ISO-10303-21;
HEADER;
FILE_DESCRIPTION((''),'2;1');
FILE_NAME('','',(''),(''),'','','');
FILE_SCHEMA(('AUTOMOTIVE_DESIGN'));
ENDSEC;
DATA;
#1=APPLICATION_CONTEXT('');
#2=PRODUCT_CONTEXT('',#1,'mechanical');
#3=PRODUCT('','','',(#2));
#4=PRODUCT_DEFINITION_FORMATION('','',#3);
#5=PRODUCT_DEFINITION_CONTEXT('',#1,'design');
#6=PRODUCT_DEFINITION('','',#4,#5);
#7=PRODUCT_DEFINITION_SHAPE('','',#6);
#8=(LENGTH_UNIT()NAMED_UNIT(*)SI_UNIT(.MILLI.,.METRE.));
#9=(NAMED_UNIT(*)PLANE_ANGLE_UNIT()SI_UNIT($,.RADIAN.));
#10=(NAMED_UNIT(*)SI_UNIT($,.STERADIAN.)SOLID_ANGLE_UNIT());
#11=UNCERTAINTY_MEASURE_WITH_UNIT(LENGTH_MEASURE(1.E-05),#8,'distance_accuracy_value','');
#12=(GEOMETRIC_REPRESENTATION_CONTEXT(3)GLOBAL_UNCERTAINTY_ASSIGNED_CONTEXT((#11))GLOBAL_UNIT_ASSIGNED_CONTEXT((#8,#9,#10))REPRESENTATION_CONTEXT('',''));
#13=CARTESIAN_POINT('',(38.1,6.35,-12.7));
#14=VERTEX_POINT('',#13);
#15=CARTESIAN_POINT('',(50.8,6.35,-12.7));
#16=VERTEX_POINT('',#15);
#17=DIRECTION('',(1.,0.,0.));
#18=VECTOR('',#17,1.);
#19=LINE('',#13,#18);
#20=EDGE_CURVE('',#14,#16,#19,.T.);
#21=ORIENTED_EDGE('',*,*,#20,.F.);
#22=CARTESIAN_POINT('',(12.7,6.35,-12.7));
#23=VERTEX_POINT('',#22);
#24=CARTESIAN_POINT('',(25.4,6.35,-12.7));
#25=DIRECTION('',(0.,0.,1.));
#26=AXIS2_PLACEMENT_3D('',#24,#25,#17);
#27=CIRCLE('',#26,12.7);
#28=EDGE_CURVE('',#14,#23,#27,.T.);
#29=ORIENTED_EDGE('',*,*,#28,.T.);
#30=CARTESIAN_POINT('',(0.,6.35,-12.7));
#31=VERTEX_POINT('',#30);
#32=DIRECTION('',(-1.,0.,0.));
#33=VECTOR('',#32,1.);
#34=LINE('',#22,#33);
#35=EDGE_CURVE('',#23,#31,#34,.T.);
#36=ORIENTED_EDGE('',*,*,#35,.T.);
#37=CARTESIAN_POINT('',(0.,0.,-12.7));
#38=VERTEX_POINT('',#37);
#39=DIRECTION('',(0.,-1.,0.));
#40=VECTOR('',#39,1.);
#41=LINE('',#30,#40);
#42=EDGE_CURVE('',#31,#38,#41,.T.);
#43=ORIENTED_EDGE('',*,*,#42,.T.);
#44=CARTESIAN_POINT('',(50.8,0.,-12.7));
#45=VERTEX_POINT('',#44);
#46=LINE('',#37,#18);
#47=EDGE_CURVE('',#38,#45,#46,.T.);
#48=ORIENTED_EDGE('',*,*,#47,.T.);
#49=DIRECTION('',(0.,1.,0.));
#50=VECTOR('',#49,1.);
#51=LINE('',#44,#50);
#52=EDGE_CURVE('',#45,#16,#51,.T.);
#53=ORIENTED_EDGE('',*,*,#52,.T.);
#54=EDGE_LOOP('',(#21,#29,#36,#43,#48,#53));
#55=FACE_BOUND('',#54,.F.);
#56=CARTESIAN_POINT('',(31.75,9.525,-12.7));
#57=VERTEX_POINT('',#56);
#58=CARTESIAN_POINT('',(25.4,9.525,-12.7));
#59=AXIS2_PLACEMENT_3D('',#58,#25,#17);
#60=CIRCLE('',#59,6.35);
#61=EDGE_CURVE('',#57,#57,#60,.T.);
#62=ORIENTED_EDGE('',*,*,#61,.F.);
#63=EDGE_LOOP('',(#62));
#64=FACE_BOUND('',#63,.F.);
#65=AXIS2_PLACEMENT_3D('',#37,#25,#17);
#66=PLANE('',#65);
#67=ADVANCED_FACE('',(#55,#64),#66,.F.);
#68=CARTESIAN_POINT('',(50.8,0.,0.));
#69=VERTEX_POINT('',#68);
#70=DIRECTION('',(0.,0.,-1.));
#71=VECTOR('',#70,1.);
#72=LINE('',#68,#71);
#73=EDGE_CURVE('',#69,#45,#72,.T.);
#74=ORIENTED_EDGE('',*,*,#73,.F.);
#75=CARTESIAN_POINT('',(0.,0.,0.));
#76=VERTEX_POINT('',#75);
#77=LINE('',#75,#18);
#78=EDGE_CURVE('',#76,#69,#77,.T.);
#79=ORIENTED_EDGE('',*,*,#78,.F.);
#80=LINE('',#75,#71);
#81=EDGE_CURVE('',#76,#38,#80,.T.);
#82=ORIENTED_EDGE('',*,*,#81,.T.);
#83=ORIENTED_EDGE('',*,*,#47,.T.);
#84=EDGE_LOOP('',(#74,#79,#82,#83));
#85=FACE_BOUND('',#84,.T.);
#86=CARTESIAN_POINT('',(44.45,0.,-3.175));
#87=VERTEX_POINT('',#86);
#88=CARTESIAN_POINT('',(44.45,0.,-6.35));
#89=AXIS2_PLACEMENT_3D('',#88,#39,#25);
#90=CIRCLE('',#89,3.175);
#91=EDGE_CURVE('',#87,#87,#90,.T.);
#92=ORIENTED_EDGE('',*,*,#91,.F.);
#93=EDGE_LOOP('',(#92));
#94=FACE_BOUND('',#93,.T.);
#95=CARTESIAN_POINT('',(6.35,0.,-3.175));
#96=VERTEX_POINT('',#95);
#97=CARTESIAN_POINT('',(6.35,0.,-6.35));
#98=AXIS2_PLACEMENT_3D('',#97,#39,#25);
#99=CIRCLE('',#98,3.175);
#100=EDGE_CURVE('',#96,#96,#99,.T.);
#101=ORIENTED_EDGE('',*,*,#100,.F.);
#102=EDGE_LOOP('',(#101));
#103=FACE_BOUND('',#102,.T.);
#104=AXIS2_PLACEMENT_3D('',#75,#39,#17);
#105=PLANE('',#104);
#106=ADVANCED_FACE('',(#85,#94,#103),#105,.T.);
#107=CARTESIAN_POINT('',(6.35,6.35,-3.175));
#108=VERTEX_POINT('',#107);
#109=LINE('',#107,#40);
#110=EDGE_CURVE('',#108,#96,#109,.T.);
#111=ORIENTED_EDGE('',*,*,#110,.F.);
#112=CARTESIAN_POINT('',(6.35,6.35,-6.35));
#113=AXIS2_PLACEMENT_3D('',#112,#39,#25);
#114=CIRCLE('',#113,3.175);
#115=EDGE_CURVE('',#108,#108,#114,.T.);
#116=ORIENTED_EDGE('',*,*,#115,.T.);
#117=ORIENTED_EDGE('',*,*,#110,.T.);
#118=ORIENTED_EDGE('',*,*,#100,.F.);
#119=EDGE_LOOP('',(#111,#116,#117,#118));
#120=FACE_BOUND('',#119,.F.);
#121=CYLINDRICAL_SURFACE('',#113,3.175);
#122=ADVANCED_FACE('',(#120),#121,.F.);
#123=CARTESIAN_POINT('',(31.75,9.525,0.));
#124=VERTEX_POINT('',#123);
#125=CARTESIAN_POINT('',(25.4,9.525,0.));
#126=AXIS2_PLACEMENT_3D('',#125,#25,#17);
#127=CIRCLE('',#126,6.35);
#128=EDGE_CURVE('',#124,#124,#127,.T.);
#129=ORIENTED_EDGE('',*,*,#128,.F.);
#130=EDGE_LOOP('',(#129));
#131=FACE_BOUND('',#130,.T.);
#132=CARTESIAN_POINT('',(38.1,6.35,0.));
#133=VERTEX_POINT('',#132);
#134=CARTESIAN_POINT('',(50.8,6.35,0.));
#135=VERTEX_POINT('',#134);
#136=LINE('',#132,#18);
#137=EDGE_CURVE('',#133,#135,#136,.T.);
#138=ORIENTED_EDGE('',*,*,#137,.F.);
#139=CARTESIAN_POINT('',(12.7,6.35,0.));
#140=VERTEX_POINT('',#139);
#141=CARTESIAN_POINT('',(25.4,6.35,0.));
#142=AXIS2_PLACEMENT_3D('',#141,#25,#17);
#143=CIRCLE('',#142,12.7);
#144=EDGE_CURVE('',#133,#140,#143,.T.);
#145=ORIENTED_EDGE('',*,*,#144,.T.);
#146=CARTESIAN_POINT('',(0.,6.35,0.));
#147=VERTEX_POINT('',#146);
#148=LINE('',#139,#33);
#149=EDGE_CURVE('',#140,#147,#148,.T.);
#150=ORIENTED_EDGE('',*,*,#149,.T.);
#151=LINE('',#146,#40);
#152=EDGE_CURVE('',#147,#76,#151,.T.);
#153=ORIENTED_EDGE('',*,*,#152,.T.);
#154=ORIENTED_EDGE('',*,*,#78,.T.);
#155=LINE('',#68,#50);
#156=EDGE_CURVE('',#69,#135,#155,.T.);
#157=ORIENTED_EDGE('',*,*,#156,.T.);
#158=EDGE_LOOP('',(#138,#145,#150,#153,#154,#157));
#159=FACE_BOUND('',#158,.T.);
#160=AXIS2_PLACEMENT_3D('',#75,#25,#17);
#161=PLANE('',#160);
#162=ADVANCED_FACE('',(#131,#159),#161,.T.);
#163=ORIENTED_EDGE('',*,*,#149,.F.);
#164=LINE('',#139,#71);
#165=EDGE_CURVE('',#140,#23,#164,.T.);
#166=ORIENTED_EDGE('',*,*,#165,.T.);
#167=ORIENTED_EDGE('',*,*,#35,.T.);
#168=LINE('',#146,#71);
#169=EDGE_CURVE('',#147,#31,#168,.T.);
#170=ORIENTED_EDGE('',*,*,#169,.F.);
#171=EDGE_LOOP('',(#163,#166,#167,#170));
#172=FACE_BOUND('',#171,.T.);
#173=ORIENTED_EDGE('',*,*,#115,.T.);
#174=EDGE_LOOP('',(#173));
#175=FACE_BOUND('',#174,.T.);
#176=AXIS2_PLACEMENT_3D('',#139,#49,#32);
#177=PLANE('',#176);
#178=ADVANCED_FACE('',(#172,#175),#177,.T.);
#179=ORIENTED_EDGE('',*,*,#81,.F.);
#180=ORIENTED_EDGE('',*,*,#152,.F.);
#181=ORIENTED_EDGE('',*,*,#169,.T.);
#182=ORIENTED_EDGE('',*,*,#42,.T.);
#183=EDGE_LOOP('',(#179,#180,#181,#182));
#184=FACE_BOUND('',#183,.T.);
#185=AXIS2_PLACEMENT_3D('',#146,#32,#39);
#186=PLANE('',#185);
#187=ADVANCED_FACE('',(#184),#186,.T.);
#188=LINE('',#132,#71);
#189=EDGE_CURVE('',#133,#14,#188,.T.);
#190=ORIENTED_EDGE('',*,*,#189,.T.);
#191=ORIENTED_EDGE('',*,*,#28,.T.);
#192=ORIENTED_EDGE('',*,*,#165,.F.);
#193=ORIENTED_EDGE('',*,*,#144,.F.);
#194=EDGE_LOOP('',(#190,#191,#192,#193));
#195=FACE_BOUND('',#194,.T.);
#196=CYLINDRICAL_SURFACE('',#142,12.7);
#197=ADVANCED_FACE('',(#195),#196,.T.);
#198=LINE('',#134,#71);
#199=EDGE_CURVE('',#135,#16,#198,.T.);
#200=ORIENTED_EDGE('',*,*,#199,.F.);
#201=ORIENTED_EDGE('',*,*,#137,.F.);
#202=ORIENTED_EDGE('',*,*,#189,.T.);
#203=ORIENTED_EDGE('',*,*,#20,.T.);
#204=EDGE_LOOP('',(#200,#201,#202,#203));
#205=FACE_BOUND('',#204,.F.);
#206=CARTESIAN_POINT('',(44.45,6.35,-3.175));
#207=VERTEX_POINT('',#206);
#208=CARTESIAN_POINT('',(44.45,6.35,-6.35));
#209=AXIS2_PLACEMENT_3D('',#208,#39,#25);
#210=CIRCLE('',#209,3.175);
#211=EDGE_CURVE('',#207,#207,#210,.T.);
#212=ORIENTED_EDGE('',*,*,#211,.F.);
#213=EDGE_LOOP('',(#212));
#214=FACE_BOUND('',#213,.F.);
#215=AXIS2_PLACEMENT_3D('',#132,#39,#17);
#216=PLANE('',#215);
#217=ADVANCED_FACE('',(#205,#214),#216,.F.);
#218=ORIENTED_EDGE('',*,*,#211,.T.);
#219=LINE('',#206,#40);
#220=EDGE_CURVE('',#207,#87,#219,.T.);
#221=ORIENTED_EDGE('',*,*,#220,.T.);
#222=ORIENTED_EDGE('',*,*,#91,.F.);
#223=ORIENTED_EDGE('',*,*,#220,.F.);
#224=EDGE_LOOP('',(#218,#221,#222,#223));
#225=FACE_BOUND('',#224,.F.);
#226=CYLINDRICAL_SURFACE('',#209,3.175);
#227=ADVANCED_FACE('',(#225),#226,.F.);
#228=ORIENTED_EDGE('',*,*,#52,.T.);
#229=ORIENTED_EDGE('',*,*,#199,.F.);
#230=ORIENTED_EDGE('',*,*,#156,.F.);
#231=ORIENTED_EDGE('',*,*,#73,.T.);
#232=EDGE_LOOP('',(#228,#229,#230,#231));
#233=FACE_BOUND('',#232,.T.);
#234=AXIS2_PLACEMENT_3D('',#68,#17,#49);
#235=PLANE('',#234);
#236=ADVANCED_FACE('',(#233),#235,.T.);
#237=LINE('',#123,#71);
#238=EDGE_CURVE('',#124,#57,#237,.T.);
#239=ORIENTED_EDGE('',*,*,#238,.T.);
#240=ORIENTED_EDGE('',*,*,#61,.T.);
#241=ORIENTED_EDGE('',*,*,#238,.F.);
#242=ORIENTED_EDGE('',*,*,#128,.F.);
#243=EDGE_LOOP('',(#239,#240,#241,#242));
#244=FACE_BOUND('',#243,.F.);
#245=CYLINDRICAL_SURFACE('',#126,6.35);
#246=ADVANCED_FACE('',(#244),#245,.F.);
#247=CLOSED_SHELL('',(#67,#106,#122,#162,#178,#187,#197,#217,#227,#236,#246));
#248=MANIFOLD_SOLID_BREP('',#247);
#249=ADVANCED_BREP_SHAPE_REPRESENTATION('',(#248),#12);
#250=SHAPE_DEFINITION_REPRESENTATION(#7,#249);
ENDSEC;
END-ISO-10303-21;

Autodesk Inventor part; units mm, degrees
ref_plane "YZ Plane" through (0, 0, 0) normal (1, 0, 0) x (0, 1, 0)
ref_plane "XZ Plane" through (0, 0, 0) normal (0, 1, 0) x (-1, 0, 0)
ref_plane "XY Plane" through (0, 0, 0) normal (0, 0, 1) x (1, 0, 0)
sketch "Sketch1" plane through (0, 0, 0) normal (0, 0, 1) x (1, 0, 0)
  line L0 (0, 0) -> (50.8, 0)
  line L1 (50.8, 0) -> (50.8, 6.35)
  line L2 (0, 6.35) -> (0, 0)
  arc A0 (38.1, 6.35) -> (12.7, 6.35) centre (25.4, 6.35) ccw
  line L3 (25.4, 6.35) -> (38.1, 6.35) construction
  line L4 (25.4, 6.35) -> (12.7, 6.35) construction
  line L5 (12.7, 6.35) -> (0, 6.35)
  line L6 (38.1, 6.35) -> (50.8, 6.35)
  circle A1 centre (25.4, 9.525) radius 6.35
  point P0 (25.4, 0)
  dimension "d0" = 50.8
  dimension "d2" = 12.7
  dimension "d3" = 180
  dimension "d4" = 6.35
  dimension "d5" = 12.7
  dimension "d6" = 9.525
extrude "Extrusion1" add sketch "Sketch1" against normal blind 12.7
sketch "Sketch2" plane through (0, 6.35, 0) normal (0, 1, 0) x (1, 0, 0)
  line L0 (0, 0) -> (0, 12.7) projected
  line L1 (50.8, 0) -> (50.8, 12.7) projected
  point P0 (6.35, 6.35)
  point P1 (44.45, 6.35)
  dimension "d9" = 6.35
  dimension "d10" = 6.35
hole "Hole1" at (6.35, 6.35, -6.35) at (44.45, 6.35, -6.35) direction (0, -1, 0) diameter 6.35 depth 25.4 tip angle 118
properties part number ".5inch_side_bearing"
